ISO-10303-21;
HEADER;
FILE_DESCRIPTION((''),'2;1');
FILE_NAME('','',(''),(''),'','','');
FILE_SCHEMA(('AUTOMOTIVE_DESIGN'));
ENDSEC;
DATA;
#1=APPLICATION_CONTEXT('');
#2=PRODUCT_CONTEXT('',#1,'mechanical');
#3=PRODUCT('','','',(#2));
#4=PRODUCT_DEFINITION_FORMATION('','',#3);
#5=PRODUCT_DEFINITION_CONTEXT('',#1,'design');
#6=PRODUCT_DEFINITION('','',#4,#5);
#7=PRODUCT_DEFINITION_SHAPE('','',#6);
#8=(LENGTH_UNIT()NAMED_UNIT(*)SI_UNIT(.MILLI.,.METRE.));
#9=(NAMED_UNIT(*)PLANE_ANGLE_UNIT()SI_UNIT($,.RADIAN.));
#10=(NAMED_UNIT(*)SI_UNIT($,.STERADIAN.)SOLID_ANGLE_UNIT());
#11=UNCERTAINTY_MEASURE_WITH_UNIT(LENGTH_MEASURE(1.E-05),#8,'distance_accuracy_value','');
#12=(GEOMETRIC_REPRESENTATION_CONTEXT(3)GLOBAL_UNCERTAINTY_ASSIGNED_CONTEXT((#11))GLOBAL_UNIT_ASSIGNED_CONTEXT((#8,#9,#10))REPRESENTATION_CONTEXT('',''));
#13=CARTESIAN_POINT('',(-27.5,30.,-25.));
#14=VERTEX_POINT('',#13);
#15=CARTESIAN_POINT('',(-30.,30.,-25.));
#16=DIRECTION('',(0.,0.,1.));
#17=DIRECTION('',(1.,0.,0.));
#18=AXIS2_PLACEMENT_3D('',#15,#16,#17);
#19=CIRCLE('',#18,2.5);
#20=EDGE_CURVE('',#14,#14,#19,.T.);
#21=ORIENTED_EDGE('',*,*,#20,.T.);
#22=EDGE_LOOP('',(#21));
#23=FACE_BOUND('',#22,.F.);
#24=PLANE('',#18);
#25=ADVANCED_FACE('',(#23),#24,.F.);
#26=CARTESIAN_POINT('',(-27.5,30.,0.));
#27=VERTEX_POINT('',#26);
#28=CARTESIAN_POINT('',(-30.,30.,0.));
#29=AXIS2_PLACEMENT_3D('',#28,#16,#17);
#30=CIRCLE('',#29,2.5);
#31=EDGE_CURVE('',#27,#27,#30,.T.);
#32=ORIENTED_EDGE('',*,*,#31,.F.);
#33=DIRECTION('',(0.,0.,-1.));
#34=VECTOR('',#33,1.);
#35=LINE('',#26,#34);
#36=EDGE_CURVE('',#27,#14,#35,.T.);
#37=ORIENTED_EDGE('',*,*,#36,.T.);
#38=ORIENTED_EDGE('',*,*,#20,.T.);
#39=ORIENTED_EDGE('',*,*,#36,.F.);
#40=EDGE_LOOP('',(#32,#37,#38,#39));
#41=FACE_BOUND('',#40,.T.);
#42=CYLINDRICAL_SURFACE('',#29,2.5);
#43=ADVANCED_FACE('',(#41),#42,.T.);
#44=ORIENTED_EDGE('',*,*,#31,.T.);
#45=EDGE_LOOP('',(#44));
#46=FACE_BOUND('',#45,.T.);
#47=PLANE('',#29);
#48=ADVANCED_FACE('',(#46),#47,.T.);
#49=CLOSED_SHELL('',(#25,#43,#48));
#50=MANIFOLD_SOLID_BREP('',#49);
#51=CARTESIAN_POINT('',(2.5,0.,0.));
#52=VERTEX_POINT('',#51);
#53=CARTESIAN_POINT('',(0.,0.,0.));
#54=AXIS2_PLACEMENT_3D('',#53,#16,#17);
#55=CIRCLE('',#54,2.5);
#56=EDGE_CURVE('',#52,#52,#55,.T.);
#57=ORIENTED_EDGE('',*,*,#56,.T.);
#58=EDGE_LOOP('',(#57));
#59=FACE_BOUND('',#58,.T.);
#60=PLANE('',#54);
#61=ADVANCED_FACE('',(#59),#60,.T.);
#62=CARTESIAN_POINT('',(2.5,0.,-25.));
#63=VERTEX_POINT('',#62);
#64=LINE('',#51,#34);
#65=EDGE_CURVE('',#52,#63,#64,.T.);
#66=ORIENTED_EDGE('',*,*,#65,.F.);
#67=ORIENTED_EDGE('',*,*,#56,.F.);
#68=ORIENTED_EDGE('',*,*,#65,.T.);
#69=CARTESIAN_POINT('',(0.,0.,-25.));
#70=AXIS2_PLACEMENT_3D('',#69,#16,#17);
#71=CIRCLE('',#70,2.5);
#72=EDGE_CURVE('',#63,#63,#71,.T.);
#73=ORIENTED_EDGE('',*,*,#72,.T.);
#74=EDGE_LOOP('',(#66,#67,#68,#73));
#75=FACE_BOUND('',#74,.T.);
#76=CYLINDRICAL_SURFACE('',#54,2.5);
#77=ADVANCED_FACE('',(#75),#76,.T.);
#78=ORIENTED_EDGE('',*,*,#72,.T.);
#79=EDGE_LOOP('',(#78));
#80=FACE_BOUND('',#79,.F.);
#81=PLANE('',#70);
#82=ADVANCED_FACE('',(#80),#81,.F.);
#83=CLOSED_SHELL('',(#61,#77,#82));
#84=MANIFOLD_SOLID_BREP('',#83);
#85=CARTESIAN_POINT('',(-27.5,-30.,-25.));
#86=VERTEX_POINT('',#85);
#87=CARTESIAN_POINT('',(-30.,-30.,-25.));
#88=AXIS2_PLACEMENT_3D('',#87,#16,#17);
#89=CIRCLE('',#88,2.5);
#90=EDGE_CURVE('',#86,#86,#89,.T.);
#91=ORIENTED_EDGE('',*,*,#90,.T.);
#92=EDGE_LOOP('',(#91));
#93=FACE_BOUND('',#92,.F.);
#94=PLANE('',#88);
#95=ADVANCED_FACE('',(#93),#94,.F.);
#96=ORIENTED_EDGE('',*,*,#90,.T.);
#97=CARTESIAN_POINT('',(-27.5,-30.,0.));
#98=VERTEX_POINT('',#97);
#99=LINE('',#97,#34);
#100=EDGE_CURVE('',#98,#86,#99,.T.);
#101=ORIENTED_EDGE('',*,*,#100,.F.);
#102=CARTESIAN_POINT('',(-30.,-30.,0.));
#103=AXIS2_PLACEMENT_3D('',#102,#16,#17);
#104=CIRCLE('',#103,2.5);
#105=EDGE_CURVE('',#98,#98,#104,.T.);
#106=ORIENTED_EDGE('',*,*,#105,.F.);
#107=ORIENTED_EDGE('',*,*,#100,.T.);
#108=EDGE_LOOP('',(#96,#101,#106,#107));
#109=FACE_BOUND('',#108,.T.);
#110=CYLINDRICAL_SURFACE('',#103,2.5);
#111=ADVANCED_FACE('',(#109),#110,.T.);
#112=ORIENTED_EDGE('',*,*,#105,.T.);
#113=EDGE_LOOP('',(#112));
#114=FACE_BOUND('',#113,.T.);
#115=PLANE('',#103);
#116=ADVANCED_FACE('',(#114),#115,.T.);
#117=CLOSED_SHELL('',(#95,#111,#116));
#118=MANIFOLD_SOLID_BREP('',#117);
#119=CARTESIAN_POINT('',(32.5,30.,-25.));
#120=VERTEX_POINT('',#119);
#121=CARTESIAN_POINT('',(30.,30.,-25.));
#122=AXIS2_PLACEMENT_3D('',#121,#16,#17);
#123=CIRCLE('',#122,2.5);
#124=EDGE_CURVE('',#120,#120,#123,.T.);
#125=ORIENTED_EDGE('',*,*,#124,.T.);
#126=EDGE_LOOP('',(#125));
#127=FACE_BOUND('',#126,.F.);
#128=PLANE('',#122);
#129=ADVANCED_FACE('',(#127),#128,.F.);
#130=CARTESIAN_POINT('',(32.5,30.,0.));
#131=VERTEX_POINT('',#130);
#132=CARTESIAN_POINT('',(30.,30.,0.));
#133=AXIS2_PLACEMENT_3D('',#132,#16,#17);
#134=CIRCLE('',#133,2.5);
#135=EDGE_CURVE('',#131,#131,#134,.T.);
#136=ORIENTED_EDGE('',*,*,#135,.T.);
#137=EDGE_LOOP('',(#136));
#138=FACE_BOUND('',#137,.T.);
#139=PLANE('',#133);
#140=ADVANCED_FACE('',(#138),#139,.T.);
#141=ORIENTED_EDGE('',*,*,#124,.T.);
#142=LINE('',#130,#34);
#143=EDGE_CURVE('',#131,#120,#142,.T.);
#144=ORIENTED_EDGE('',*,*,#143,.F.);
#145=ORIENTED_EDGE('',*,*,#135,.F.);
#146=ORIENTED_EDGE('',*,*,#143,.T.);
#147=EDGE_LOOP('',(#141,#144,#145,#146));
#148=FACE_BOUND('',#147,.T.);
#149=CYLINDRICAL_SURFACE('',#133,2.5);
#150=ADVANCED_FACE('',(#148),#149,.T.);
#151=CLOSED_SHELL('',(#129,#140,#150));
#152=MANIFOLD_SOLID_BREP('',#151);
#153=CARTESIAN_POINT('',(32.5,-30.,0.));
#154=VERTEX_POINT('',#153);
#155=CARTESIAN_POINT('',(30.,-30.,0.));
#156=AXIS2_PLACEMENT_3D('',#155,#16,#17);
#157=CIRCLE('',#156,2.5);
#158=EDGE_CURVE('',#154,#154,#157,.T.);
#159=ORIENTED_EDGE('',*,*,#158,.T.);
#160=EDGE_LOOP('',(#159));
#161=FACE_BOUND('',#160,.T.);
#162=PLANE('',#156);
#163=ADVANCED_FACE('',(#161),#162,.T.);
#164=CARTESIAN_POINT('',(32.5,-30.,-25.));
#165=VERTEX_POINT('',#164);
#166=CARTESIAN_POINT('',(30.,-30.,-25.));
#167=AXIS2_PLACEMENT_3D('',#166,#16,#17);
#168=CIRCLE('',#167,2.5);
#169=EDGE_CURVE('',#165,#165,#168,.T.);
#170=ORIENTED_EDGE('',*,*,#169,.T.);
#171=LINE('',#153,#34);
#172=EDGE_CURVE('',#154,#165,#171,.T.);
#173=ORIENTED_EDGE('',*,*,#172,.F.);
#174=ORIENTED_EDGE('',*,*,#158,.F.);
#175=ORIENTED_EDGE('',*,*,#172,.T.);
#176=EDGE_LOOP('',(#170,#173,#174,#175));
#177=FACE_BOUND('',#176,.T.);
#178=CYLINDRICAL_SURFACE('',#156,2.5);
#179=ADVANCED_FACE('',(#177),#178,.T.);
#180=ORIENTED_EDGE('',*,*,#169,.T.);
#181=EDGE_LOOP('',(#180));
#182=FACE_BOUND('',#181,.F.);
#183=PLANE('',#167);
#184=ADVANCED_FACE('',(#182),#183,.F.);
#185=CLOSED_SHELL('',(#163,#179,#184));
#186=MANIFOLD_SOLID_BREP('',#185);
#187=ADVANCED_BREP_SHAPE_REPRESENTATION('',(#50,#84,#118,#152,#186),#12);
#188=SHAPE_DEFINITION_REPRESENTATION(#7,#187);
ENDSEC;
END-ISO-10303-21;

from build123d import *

# Parameters (mm, degrees)
F0_R     = 2.5
F1_DEPTH = 25


with BuildPart() as f1:
    # F0 (on Top) → F1 (new body)
    with BuildSketch(Plane.XY):
        Circle(F0_R)
        with Locations((30, 30)):
            Circle(F0_R)
        with Locations((-30, 30)):
            Circle(F0_R)
        with Locations((-30, -30)):
            Circle(F0_R)
        with Locations((30, -30)):
            Circle(F0_R)
    extrude(amount=-F1_DEPTH)


solid = f1.part
